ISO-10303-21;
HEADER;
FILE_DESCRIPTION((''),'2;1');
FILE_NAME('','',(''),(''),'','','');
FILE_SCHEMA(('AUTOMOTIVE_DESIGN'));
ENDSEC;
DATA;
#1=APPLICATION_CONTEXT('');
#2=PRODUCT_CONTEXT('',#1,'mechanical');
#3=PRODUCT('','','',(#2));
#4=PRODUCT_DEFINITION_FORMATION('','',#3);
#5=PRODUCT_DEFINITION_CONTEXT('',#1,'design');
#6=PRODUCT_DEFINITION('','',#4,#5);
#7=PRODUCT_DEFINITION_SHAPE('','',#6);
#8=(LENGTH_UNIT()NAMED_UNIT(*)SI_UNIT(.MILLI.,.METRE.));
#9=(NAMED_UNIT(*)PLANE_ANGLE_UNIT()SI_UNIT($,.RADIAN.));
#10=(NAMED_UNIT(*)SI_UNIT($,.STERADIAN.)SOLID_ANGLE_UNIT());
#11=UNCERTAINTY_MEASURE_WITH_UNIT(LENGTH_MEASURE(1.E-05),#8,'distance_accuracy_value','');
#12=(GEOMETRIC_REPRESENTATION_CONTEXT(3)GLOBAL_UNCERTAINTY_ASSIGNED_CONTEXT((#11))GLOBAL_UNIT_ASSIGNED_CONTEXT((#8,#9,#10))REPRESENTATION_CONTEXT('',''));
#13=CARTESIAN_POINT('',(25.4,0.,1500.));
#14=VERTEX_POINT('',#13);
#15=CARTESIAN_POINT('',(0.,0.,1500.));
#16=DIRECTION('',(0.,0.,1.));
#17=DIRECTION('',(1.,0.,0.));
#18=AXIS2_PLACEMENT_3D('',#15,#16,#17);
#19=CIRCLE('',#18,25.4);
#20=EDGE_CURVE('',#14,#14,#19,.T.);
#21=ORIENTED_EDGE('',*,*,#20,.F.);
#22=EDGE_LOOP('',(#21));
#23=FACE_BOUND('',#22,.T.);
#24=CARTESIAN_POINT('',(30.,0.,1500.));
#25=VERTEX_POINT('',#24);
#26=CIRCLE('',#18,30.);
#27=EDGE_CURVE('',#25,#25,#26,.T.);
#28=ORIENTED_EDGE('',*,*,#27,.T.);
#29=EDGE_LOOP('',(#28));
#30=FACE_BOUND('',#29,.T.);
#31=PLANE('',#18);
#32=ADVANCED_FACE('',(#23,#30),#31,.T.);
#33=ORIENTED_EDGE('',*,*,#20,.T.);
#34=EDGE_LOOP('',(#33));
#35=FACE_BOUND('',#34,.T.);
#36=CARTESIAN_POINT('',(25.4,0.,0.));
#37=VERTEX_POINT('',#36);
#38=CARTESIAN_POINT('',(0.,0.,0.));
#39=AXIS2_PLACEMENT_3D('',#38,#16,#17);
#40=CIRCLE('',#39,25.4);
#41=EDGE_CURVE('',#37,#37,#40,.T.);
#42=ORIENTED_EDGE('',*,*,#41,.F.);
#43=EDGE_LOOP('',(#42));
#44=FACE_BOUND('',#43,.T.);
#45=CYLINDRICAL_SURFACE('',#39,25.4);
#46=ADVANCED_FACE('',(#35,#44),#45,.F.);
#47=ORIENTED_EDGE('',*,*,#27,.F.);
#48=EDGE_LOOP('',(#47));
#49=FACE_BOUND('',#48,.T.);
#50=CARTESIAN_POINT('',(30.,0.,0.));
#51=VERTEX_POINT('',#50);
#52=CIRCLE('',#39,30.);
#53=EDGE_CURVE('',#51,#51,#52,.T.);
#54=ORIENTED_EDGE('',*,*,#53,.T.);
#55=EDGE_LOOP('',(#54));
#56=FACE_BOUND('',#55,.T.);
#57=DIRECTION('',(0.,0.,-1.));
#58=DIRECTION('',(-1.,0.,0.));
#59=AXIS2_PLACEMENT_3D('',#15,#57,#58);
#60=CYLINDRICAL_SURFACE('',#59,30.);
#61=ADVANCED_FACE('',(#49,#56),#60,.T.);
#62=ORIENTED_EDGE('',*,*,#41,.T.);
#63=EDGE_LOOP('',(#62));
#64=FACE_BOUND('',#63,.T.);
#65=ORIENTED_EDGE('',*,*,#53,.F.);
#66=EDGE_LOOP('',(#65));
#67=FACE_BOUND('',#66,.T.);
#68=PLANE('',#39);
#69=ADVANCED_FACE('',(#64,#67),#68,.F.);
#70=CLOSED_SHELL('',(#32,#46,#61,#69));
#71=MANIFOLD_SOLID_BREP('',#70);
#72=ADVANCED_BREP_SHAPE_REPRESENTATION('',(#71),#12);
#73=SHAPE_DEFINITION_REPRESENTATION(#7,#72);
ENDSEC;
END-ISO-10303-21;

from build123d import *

# Parameters (mm, degrees)
CROQUIS1_R              = 30
SALIENTE_EXTRUIR1_DEPTH = 1500
CROQUIS2_R              = 25.4
CORTAR_EXTRUIR1_DEPTH   = 1501


with BuildPart() as part:
    # Croquis1 → Saliente-Extruir1 (new body)
    with BuildSketch(Plane.XY):
        Circle(CROQUIS1_R)
    extrude(amount=SALIENTE_EXTRUIR1_DEPTH)

    # Croquis2 → Cortar-Extruir1 (cut, through all)
    with BuildSketch(Plane.XY.offset(1500)):
        Circle(CROQUIS2_R)
    extrude(amount=-CORTAR_EXTRUIR1_DEPTH, mode=Mode.SUBTRACT)


solid = part.part
